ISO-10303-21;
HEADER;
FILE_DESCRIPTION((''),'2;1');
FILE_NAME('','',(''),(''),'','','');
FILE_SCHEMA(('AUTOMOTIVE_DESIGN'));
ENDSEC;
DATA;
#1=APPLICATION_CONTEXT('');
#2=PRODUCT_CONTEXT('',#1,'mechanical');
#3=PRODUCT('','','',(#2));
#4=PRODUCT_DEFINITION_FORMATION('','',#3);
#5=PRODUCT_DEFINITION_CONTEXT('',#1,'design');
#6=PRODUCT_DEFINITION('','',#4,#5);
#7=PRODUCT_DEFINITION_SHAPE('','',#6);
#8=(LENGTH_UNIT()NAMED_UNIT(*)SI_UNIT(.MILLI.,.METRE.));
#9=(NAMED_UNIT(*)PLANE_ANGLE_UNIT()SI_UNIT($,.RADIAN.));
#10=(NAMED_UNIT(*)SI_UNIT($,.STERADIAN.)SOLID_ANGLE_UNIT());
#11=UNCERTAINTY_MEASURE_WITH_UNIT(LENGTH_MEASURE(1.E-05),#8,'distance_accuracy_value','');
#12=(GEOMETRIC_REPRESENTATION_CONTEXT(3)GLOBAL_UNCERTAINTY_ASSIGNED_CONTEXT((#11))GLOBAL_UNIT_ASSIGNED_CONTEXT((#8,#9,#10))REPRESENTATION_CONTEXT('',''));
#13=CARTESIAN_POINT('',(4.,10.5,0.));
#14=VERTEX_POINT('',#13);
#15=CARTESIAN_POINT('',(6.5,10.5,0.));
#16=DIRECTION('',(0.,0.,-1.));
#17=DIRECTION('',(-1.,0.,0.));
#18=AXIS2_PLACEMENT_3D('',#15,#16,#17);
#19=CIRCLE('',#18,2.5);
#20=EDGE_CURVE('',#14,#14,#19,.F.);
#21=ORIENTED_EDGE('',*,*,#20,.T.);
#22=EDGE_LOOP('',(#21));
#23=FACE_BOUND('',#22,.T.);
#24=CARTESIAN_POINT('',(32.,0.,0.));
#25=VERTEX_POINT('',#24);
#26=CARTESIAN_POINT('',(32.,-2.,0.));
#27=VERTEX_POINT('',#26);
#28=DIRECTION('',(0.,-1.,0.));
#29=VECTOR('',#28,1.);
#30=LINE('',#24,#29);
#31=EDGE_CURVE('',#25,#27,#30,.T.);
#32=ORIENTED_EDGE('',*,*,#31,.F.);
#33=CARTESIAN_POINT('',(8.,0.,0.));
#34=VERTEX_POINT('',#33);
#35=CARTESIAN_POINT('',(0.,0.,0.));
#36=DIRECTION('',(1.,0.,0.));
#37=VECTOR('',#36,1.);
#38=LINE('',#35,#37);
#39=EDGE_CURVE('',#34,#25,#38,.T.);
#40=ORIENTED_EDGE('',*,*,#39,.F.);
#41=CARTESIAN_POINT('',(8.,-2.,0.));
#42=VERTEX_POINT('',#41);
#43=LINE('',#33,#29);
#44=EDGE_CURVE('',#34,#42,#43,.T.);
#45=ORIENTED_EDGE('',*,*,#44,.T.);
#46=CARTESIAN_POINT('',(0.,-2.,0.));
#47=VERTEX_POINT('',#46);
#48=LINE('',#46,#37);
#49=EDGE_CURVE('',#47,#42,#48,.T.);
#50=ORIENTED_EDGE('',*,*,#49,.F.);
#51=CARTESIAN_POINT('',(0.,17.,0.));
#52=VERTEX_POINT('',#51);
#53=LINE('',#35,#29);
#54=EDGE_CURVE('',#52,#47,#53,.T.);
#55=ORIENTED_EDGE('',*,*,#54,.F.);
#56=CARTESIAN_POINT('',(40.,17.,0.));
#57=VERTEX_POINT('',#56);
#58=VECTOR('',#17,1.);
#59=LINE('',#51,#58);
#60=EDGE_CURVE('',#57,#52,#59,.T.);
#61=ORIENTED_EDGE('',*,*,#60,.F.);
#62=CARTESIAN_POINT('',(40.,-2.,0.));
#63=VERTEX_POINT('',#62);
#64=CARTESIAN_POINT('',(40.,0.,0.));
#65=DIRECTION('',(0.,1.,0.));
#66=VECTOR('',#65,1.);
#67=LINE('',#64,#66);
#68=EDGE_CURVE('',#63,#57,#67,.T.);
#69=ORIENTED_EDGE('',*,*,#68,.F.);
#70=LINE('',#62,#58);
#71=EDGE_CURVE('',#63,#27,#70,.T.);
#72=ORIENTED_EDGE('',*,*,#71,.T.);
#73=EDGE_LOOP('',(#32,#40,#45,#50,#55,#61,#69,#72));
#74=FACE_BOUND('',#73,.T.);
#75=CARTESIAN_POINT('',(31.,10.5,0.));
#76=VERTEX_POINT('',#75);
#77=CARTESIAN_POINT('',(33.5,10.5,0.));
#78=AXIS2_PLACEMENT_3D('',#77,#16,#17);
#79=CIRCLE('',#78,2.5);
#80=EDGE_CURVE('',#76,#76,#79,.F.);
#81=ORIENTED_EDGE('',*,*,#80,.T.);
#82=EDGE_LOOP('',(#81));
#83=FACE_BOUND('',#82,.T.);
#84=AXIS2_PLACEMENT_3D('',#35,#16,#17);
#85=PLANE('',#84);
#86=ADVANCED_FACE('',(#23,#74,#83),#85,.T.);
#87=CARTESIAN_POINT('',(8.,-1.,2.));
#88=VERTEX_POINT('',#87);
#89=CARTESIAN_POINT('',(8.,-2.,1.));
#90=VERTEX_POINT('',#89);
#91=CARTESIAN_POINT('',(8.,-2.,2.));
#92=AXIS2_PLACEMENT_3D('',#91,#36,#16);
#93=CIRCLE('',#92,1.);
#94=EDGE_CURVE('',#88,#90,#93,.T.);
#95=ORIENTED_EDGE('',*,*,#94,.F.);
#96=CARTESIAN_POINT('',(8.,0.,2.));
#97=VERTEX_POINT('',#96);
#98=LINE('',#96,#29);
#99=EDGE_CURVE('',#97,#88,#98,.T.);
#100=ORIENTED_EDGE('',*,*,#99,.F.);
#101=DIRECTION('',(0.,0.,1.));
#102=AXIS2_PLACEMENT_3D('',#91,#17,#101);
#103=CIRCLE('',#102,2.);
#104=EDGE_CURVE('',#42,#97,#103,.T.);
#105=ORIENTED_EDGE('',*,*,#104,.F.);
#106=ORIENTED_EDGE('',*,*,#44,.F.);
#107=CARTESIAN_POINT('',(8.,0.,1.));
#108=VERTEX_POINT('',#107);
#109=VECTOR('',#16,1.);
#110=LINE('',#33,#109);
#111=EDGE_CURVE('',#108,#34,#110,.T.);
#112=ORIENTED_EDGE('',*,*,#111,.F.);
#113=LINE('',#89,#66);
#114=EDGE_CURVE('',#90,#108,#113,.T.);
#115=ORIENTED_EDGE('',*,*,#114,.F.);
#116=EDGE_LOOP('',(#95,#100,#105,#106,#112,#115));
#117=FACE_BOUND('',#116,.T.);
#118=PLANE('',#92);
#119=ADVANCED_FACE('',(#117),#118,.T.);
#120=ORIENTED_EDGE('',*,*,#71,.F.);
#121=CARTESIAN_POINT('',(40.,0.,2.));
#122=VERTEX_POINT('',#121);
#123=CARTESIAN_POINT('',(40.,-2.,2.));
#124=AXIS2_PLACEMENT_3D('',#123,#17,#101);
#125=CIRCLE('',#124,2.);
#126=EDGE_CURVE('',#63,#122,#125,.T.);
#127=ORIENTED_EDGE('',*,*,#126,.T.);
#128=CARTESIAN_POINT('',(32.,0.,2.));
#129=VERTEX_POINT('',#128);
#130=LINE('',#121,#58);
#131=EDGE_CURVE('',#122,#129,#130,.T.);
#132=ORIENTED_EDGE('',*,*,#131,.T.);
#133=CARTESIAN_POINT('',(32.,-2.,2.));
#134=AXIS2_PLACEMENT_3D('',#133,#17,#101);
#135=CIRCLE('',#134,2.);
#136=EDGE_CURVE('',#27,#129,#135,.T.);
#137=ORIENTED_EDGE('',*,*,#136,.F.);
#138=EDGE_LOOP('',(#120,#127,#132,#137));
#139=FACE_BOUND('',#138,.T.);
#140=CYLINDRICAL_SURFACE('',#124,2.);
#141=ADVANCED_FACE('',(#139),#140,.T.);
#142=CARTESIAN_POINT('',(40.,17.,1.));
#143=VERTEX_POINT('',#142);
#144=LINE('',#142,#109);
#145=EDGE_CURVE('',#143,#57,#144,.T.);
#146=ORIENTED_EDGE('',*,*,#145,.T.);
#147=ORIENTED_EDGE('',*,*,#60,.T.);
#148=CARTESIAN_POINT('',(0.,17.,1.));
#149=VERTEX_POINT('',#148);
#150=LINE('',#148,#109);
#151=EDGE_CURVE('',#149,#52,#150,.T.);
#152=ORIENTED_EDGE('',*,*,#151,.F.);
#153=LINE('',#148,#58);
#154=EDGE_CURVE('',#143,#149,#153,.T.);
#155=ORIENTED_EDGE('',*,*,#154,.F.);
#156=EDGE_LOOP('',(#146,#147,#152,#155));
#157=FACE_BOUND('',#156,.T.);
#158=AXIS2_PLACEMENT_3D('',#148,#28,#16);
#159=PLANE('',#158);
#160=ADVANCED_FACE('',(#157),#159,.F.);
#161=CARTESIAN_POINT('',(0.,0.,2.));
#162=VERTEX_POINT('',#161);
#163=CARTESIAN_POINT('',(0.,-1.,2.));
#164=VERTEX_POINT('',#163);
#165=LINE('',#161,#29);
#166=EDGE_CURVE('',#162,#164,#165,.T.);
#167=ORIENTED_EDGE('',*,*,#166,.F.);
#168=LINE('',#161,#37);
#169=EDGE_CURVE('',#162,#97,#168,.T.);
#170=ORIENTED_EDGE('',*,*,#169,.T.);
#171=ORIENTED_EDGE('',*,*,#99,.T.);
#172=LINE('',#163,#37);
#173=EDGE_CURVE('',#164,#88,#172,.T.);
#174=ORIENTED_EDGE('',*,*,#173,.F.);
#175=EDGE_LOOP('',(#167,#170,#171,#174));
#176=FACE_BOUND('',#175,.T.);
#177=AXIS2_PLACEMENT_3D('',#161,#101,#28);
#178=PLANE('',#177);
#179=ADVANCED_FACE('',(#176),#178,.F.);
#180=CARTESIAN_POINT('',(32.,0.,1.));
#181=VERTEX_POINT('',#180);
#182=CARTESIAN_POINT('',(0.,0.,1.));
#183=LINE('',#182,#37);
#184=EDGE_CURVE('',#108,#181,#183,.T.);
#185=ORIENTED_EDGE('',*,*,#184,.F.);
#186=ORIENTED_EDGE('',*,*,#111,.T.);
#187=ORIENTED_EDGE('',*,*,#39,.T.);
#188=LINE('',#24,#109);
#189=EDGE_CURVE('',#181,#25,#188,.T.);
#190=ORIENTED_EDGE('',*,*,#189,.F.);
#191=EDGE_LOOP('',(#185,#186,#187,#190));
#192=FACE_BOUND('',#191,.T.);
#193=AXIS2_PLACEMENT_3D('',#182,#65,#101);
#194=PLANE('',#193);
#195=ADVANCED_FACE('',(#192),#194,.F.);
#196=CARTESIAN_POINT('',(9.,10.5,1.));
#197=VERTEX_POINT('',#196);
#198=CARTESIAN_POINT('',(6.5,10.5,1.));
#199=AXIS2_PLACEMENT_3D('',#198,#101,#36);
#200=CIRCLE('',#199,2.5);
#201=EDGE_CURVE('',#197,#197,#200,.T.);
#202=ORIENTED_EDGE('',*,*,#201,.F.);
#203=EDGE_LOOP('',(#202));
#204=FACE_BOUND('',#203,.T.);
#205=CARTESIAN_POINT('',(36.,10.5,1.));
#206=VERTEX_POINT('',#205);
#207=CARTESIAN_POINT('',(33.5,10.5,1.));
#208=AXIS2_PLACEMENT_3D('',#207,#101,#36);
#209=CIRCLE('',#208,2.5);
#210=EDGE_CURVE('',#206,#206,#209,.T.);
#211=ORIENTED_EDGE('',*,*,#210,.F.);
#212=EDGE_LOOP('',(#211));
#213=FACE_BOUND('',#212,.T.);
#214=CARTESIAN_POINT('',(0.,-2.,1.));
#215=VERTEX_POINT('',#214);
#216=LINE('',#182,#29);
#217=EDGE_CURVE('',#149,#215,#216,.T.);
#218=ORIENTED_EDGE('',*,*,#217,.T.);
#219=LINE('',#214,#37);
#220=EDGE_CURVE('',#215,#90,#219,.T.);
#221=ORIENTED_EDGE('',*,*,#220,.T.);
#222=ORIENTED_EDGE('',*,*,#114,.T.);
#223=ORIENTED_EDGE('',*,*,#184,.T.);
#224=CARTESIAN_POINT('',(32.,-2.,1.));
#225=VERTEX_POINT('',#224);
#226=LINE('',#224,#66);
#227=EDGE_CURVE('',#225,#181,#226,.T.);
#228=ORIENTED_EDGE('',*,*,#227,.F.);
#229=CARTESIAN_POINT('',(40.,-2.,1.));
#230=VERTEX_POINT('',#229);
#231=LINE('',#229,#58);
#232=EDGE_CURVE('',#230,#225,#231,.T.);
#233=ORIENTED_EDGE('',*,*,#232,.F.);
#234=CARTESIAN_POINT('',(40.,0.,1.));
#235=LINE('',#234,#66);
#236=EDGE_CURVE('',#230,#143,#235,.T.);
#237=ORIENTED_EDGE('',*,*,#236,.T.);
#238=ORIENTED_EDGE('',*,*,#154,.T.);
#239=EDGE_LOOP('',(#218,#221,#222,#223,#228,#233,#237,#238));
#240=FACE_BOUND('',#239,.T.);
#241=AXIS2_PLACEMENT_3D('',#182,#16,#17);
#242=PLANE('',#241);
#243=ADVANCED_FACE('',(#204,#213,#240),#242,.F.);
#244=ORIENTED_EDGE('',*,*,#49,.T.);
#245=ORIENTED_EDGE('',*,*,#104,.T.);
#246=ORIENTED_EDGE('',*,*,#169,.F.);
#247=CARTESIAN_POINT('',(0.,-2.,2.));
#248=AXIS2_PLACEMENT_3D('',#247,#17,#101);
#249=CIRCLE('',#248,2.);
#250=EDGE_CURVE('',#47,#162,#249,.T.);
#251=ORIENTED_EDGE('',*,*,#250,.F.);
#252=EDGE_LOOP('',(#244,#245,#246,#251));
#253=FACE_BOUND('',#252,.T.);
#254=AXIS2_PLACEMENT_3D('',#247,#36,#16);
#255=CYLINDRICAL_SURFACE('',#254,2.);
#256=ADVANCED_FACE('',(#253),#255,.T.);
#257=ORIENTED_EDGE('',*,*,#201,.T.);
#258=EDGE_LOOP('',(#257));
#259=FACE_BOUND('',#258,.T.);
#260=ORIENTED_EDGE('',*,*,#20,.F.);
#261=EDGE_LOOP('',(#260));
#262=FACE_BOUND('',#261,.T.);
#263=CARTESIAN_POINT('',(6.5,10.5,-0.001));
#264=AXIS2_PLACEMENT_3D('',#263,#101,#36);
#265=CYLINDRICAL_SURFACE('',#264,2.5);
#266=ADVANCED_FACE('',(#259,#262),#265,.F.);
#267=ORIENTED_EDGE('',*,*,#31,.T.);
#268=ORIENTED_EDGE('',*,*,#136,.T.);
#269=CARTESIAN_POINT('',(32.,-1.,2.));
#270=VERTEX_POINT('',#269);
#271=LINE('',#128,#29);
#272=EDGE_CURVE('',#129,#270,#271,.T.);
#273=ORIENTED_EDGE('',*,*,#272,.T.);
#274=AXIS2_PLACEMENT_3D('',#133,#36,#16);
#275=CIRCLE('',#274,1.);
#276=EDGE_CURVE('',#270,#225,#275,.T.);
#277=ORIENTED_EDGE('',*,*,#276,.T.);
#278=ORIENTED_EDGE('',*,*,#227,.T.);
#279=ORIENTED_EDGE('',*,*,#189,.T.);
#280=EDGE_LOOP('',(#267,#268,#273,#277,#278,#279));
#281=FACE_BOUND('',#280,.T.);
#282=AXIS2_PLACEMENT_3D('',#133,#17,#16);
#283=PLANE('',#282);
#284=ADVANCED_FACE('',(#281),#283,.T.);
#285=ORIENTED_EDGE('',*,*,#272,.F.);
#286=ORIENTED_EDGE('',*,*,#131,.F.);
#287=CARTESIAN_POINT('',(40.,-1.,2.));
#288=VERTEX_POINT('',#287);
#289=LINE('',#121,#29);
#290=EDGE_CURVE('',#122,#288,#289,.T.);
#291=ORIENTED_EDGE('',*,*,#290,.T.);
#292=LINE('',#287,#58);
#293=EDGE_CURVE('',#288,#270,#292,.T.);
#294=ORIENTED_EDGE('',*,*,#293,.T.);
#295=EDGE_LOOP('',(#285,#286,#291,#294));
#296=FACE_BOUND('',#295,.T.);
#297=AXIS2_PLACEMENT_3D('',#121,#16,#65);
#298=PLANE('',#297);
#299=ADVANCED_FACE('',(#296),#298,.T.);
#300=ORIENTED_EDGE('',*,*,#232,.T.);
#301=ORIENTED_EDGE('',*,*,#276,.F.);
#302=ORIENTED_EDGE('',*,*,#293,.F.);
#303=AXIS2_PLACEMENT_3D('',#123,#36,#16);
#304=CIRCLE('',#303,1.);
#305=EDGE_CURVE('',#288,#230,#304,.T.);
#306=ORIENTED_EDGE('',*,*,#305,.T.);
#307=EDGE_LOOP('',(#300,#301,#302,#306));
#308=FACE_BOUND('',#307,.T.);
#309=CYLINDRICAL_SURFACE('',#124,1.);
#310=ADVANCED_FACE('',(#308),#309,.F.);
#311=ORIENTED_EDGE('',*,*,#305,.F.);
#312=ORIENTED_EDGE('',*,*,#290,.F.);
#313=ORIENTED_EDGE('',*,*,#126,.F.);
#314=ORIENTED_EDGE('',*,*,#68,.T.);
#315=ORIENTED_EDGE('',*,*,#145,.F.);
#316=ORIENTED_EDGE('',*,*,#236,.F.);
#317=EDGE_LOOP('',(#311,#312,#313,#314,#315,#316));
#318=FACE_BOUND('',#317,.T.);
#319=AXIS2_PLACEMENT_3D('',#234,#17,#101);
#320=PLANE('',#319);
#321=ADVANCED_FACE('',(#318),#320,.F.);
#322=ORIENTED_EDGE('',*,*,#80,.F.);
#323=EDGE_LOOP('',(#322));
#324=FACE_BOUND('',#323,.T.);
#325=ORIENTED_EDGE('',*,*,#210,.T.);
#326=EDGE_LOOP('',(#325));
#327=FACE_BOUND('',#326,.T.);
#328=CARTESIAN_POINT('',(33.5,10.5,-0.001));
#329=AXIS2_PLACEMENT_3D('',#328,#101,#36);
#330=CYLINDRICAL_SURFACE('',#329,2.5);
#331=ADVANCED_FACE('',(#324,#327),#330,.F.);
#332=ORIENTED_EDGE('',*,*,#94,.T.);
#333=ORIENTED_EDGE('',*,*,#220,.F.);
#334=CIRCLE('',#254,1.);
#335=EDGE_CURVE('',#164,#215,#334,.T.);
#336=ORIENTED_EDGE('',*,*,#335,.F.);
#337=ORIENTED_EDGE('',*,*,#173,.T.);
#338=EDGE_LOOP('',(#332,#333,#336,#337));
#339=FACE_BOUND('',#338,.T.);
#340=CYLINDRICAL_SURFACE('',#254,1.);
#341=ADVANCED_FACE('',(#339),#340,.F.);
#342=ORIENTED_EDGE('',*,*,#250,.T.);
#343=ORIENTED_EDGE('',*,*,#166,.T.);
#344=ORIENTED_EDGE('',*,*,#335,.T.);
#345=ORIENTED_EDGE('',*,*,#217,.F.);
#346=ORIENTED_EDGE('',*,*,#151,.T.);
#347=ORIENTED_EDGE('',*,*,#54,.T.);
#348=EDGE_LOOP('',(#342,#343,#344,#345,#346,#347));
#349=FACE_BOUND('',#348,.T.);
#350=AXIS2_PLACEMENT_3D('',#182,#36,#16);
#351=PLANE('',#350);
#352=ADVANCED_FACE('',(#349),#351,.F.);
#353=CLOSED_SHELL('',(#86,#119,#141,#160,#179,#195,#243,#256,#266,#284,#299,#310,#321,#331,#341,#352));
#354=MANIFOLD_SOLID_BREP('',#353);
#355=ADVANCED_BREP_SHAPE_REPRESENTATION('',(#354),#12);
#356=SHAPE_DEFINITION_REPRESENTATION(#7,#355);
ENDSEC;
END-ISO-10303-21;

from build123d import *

# Parameters (mm, degrees)
ESQUISSE1_W             = 40
ESQUISSE1_H             = 17
BOSS_EXTRU_1_DEPTH      = 1
ENL_V_MAT_EXTRU_1_REACH = 45.474
ESQUISSE2_R             = 2.5
BOSS_EXTRU_2_DEPTH      = 8


with BuildPart() as part:
    # Esquisse1 → Boss.-Extru.1 (new body)
    with BuildSketch(Plane.XY):
        with Locations((20, 8.5)):
            Rectangle(ESQUISSE1_W, ESQUISSE1_H)
    extrude(amount=BOSS_EXTRU_1_DEPTH)

    # Esquisse2 → Enlèv. mat.-Extru.1 (cut, up to next)
    with BuildSketch(Plane.XY.offset(1), mode=Mode.PRIVATE) as enl_v_mat_extru_1_sk1:
        with Locations((6.5, 10.5)):
            Circle(ESQUISSE2_R)
    enl_v_mat_extru_1_tool1 = extrude(enl_v_mat_extru_1_sk1.sketch, amount=-ENL_V_MAT_EXTRU_1_REACH, mode=Mode.PRIVATE) & part.part
    # Esquisse2 → Enlèv. mat.-Extru.1 (cut, up to next)
    with BuildSketch(Plane.XY.offset(1), mode=Mode.PRIVATE) as enl_v_mat_extru_1_sk2:
        with Locations((33.5, 10.5)):
            Circle(ESQUISSE2_R)
    enl_v_mat_extru_1_tool2 = extrude(enl_v_mat_extru_1_sk2.sketch, amount=-ENL_V_MAT_EXTRU_1_REACH, mode=Mode.PRIVATE) & part.part
    add(enl_v_mat_extru_1_tool1.solids().sort_by_distance((6.5, 10.5, 1))[0], mode=Mode.SUBTRACT)
    add(enl_v_mat_extru_1_tool2.solids().sort_by_distance((33.5, 10.5, 1))[0], mode=Mode.SUBTRACT)

    # Esquisse3 → Boss.-Extru.2 (add)
    with BuildSketch(Plane.ZY.offset(-8)):
        with BuildLine():
            Line((0, 0), (0, -2))
            ThreePointArc((0, -2), (3.414213562, -3.414213562), (2, 0))
            Line((2, 0), (2, -1))
            ThreePointArc((2, -1), (2.707106781, -2.707106781), (1, -2))
            Line((1, -2), (1, 0))
            Line((1, 0), (0, 0))
        make_face()
    boss_extru_2 = extrude(amount=BOSS_EXTRU_2_DEPTH)

    # Symétrie1: Boss.-Extru.2 across plane
    add(boss_extru_2.mirror(Plane.ZY.offset(-20)))


solid = part.part
